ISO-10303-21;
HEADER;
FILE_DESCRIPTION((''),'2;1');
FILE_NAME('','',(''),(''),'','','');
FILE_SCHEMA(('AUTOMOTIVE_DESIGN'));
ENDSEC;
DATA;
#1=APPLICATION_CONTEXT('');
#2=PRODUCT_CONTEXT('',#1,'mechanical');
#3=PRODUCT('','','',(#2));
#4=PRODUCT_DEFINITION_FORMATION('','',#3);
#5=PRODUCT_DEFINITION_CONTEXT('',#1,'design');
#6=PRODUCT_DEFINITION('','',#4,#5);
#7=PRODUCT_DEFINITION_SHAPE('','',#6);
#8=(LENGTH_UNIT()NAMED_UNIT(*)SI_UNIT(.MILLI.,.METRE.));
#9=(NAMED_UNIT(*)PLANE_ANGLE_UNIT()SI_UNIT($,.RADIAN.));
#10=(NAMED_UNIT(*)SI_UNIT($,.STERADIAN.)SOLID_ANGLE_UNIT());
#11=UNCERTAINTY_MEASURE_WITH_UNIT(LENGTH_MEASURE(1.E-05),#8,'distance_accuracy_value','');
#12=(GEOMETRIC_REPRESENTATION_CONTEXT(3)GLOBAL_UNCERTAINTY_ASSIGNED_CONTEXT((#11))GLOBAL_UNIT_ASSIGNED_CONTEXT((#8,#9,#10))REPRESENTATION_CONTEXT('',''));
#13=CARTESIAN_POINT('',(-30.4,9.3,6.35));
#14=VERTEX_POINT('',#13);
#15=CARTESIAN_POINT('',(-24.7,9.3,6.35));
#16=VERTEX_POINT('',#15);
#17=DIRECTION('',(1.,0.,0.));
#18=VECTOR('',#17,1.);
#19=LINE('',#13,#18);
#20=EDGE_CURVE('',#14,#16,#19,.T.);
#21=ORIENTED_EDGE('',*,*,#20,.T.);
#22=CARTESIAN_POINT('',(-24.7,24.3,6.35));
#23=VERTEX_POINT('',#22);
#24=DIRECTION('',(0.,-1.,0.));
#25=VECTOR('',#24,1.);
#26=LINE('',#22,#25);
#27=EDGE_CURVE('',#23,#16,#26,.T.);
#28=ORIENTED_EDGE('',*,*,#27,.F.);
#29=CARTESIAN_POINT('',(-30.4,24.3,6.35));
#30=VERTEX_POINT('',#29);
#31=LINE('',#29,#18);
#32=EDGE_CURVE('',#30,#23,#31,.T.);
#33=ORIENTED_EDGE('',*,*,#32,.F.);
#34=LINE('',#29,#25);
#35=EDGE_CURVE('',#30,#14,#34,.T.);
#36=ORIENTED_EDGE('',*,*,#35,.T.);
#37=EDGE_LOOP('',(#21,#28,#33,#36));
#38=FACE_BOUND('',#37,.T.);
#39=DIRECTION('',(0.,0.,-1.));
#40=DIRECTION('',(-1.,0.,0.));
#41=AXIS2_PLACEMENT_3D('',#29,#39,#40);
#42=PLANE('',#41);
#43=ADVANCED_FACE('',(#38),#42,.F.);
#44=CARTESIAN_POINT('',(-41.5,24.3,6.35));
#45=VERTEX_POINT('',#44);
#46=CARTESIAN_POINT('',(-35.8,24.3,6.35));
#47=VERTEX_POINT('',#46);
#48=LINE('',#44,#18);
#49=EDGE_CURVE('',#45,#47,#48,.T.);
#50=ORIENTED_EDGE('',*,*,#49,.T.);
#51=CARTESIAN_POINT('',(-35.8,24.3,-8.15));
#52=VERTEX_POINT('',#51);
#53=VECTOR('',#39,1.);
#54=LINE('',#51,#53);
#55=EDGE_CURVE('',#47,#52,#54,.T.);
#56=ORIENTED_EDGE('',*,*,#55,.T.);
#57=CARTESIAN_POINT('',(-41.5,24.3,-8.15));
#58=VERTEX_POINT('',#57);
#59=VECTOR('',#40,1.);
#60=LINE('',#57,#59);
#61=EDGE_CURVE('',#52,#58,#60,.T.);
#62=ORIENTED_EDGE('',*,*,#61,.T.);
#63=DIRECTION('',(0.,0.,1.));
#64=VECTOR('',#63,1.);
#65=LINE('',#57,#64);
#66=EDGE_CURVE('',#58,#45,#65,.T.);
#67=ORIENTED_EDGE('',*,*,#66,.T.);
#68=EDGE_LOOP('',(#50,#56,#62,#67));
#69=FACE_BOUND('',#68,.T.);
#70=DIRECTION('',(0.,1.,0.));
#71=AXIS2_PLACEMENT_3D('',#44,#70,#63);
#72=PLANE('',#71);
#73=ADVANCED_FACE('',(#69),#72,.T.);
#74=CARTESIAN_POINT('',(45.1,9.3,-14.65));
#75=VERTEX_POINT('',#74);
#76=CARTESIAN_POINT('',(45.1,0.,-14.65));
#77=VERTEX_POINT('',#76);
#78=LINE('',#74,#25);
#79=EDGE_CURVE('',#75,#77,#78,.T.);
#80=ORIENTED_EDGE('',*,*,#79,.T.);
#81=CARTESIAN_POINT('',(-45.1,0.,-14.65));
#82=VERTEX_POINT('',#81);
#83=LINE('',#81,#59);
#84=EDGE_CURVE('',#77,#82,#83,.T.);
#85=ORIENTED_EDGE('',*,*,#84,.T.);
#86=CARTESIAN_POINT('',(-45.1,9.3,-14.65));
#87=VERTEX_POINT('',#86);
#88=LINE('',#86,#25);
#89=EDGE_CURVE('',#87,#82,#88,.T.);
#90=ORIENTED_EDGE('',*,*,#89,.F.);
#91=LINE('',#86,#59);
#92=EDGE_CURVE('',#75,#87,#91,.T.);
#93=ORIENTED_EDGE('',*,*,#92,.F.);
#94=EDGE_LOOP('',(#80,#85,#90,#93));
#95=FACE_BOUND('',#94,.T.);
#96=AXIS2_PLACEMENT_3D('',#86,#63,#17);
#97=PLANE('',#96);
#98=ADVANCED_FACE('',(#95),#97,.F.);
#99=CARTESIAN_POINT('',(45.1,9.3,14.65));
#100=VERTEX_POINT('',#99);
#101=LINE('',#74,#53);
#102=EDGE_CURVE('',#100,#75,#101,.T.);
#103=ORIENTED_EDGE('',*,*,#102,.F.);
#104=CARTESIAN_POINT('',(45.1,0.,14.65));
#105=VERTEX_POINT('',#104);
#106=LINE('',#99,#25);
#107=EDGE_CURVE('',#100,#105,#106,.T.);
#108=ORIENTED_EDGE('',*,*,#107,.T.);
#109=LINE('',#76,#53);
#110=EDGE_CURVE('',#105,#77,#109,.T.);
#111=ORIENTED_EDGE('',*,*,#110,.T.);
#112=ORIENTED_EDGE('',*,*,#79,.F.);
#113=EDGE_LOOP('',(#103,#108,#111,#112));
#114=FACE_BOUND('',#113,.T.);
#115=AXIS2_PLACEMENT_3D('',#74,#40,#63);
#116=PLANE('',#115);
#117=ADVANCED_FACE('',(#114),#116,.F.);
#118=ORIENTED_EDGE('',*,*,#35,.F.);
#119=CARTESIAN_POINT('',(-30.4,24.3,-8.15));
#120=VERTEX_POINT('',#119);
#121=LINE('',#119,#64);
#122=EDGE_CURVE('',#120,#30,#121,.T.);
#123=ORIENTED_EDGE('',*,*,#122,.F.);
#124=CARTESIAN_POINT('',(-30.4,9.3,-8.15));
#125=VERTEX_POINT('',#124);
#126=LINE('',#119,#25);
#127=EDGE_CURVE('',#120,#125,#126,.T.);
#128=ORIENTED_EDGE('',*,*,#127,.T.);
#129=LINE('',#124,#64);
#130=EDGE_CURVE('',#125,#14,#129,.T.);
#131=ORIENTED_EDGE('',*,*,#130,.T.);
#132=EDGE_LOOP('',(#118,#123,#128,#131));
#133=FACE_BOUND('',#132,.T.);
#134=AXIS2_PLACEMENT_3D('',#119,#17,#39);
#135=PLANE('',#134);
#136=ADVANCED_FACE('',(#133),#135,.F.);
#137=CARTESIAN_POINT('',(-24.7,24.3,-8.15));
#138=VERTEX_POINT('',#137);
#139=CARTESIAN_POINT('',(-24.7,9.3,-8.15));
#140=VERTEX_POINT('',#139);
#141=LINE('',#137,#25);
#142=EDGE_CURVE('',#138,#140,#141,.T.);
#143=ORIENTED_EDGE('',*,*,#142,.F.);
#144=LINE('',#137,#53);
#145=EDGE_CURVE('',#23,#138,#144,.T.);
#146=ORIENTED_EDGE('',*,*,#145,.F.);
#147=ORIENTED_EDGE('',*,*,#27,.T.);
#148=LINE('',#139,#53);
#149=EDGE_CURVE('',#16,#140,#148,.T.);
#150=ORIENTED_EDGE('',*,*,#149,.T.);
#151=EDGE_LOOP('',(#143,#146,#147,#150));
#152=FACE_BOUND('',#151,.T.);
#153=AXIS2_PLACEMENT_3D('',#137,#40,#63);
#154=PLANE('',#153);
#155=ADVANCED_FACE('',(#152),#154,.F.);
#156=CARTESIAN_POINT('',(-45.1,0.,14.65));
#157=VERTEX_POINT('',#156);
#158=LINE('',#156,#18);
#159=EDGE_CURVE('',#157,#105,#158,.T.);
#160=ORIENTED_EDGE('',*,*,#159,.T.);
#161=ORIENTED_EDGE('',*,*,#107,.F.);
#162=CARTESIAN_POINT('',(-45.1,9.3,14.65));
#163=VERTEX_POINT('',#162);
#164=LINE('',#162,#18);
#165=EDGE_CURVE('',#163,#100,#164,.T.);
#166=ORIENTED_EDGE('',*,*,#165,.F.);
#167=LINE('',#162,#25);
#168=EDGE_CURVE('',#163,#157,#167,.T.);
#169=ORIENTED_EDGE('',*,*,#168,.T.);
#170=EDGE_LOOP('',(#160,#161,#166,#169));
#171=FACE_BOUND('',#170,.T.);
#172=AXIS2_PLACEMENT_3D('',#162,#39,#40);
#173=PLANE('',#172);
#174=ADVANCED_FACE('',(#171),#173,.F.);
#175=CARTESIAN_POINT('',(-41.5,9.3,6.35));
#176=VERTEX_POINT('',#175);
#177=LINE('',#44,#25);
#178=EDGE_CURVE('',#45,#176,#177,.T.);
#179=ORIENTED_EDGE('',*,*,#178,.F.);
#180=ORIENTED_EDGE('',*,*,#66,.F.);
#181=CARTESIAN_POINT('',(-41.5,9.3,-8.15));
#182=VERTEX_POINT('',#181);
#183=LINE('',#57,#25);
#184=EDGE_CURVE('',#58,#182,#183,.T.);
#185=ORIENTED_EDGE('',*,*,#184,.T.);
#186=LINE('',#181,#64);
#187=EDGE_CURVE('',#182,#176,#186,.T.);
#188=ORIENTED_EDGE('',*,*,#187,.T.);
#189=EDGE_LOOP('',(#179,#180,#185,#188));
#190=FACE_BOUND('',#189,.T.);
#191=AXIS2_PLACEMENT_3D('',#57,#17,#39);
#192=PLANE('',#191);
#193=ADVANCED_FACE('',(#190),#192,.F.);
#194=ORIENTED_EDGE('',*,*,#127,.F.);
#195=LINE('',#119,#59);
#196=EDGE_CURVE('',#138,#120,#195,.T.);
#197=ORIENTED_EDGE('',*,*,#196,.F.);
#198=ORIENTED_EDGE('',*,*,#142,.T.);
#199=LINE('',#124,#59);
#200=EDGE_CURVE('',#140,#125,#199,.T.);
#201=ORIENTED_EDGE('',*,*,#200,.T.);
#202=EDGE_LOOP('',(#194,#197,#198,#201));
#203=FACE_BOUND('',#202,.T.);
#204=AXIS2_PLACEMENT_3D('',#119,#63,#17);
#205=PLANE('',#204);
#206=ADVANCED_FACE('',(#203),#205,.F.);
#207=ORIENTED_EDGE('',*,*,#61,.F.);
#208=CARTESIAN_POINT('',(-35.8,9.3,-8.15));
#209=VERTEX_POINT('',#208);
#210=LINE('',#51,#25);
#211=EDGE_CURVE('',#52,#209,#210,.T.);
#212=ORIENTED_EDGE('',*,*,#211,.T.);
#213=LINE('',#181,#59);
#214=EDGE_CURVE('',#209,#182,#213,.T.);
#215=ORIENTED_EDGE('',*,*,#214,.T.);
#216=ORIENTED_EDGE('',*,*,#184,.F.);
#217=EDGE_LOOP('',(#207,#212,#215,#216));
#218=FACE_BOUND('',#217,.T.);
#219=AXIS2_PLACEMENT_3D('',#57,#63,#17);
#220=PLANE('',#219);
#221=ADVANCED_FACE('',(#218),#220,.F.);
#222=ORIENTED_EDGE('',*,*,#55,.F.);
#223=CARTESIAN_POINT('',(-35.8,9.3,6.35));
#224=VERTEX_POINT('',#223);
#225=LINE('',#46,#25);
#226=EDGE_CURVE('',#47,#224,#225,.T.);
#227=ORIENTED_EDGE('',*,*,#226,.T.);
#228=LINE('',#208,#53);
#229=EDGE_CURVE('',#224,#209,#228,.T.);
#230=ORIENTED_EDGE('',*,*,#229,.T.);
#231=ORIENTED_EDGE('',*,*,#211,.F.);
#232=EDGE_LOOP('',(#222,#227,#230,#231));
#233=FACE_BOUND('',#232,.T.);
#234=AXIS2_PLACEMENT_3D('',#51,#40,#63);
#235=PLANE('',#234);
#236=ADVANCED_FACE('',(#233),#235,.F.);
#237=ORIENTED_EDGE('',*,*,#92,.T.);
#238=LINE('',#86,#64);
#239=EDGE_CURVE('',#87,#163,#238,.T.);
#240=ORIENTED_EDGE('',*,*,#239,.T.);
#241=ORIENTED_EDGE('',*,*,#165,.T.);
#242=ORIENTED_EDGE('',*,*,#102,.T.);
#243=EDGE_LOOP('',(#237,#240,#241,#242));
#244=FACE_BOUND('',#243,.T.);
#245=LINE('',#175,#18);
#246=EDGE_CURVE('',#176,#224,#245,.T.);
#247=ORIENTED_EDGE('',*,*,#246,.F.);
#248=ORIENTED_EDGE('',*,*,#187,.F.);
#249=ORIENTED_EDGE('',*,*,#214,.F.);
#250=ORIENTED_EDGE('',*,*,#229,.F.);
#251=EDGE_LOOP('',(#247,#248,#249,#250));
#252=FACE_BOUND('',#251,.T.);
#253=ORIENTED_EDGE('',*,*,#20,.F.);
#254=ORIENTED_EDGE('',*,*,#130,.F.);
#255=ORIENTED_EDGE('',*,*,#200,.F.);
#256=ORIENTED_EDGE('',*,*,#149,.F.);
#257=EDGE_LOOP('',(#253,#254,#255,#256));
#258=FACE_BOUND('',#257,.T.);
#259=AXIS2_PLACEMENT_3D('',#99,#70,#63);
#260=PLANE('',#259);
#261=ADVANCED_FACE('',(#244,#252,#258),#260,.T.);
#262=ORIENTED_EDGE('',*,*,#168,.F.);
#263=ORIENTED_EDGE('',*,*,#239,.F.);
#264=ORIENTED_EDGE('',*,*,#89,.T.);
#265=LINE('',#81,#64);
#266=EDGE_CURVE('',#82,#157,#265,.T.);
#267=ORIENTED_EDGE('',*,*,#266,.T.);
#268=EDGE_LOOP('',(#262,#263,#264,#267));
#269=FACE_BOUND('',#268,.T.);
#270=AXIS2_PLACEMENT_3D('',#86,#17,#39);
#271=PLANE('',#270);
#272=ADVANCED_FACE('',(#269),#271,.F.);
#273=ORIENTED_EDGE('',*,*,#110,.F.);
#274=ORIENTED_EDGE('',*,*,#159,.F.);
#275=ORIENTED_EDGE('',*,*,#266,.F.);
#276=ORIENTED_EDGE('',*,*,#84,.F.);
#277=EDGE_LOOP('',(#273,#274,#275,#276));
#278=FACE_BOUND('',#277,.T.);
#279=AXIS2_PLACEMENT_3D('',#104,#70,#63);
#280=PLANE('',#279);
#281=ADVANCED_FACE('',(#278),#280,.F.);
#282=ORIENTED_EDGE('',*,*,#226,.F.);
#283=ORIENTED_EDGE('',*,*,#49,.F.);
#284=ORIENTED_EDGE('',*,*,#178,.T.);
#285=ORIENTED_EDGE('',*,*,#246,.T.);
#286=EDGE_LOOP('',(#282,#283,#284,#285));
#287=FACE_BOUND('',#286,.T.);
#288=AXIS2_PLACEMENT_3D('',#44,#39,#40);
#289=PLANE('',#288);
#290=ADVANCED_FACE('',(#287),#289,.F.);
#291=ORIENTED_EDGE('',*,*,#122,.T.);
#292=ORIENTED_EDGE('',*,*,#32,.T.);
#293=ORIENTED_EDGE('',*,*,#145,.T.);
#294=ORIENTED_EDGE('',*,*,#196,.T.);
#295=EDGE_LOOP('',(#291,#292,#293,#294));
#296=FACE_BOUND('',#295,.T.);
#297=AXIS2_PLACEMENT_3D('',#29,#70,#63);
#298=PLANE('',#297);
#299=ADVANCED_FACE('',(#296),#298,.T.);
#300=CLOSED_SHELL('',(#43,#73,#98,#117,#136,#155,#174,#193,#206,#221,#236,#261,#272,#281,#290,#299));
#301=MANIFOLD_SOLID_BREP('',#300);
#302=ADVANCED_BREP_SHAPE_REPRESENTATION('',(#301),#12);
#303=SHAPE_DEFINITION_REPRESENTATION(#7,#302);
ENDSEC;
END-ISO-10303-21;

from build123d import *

# Parameters (mm, degrees)
SKETCH1_W           = 90.2
SKETCH1_H           = 29.3
BOSS_EXTRUDE1_DEPTH = 9.3
SKETCH2_W           = 5.7
SKETCH2_H           = 14.5
BOSS_EXTRUDE2_DEPTH = 15


with BuildPart() as part:
    # Sketch1 → Boss-Extrude1 (new body)
    with BuildSketch(Plane(origin=(0, 0, 0), x_dir=(1, 0, 0), z_dir=(0, 1, 0))):
        Rectangle(SKETCH1_W, SKETCH1_H)
    extrude(amount=BOSS_EXTRUDE1_DEPTH)

    # Sketch2 → Boss-Extrude2 (add)
    with BuildSketch(Plane(origin=(0, 9.3, 0), x_dir=(1, 0, 0), z_dir=(0, 1, 0))):
        with Locations((-38.65, 0.9)):
            Rectangle(SKETCH2_W, SKETCH2_H)
        with Locations((-27.55, 0.9)):
            Rectangle(SKETCH2_W, SKETCH2_H)
    extrude(amount=BOSS_EXTRUDE2_DEPTH)


solid = part.part
